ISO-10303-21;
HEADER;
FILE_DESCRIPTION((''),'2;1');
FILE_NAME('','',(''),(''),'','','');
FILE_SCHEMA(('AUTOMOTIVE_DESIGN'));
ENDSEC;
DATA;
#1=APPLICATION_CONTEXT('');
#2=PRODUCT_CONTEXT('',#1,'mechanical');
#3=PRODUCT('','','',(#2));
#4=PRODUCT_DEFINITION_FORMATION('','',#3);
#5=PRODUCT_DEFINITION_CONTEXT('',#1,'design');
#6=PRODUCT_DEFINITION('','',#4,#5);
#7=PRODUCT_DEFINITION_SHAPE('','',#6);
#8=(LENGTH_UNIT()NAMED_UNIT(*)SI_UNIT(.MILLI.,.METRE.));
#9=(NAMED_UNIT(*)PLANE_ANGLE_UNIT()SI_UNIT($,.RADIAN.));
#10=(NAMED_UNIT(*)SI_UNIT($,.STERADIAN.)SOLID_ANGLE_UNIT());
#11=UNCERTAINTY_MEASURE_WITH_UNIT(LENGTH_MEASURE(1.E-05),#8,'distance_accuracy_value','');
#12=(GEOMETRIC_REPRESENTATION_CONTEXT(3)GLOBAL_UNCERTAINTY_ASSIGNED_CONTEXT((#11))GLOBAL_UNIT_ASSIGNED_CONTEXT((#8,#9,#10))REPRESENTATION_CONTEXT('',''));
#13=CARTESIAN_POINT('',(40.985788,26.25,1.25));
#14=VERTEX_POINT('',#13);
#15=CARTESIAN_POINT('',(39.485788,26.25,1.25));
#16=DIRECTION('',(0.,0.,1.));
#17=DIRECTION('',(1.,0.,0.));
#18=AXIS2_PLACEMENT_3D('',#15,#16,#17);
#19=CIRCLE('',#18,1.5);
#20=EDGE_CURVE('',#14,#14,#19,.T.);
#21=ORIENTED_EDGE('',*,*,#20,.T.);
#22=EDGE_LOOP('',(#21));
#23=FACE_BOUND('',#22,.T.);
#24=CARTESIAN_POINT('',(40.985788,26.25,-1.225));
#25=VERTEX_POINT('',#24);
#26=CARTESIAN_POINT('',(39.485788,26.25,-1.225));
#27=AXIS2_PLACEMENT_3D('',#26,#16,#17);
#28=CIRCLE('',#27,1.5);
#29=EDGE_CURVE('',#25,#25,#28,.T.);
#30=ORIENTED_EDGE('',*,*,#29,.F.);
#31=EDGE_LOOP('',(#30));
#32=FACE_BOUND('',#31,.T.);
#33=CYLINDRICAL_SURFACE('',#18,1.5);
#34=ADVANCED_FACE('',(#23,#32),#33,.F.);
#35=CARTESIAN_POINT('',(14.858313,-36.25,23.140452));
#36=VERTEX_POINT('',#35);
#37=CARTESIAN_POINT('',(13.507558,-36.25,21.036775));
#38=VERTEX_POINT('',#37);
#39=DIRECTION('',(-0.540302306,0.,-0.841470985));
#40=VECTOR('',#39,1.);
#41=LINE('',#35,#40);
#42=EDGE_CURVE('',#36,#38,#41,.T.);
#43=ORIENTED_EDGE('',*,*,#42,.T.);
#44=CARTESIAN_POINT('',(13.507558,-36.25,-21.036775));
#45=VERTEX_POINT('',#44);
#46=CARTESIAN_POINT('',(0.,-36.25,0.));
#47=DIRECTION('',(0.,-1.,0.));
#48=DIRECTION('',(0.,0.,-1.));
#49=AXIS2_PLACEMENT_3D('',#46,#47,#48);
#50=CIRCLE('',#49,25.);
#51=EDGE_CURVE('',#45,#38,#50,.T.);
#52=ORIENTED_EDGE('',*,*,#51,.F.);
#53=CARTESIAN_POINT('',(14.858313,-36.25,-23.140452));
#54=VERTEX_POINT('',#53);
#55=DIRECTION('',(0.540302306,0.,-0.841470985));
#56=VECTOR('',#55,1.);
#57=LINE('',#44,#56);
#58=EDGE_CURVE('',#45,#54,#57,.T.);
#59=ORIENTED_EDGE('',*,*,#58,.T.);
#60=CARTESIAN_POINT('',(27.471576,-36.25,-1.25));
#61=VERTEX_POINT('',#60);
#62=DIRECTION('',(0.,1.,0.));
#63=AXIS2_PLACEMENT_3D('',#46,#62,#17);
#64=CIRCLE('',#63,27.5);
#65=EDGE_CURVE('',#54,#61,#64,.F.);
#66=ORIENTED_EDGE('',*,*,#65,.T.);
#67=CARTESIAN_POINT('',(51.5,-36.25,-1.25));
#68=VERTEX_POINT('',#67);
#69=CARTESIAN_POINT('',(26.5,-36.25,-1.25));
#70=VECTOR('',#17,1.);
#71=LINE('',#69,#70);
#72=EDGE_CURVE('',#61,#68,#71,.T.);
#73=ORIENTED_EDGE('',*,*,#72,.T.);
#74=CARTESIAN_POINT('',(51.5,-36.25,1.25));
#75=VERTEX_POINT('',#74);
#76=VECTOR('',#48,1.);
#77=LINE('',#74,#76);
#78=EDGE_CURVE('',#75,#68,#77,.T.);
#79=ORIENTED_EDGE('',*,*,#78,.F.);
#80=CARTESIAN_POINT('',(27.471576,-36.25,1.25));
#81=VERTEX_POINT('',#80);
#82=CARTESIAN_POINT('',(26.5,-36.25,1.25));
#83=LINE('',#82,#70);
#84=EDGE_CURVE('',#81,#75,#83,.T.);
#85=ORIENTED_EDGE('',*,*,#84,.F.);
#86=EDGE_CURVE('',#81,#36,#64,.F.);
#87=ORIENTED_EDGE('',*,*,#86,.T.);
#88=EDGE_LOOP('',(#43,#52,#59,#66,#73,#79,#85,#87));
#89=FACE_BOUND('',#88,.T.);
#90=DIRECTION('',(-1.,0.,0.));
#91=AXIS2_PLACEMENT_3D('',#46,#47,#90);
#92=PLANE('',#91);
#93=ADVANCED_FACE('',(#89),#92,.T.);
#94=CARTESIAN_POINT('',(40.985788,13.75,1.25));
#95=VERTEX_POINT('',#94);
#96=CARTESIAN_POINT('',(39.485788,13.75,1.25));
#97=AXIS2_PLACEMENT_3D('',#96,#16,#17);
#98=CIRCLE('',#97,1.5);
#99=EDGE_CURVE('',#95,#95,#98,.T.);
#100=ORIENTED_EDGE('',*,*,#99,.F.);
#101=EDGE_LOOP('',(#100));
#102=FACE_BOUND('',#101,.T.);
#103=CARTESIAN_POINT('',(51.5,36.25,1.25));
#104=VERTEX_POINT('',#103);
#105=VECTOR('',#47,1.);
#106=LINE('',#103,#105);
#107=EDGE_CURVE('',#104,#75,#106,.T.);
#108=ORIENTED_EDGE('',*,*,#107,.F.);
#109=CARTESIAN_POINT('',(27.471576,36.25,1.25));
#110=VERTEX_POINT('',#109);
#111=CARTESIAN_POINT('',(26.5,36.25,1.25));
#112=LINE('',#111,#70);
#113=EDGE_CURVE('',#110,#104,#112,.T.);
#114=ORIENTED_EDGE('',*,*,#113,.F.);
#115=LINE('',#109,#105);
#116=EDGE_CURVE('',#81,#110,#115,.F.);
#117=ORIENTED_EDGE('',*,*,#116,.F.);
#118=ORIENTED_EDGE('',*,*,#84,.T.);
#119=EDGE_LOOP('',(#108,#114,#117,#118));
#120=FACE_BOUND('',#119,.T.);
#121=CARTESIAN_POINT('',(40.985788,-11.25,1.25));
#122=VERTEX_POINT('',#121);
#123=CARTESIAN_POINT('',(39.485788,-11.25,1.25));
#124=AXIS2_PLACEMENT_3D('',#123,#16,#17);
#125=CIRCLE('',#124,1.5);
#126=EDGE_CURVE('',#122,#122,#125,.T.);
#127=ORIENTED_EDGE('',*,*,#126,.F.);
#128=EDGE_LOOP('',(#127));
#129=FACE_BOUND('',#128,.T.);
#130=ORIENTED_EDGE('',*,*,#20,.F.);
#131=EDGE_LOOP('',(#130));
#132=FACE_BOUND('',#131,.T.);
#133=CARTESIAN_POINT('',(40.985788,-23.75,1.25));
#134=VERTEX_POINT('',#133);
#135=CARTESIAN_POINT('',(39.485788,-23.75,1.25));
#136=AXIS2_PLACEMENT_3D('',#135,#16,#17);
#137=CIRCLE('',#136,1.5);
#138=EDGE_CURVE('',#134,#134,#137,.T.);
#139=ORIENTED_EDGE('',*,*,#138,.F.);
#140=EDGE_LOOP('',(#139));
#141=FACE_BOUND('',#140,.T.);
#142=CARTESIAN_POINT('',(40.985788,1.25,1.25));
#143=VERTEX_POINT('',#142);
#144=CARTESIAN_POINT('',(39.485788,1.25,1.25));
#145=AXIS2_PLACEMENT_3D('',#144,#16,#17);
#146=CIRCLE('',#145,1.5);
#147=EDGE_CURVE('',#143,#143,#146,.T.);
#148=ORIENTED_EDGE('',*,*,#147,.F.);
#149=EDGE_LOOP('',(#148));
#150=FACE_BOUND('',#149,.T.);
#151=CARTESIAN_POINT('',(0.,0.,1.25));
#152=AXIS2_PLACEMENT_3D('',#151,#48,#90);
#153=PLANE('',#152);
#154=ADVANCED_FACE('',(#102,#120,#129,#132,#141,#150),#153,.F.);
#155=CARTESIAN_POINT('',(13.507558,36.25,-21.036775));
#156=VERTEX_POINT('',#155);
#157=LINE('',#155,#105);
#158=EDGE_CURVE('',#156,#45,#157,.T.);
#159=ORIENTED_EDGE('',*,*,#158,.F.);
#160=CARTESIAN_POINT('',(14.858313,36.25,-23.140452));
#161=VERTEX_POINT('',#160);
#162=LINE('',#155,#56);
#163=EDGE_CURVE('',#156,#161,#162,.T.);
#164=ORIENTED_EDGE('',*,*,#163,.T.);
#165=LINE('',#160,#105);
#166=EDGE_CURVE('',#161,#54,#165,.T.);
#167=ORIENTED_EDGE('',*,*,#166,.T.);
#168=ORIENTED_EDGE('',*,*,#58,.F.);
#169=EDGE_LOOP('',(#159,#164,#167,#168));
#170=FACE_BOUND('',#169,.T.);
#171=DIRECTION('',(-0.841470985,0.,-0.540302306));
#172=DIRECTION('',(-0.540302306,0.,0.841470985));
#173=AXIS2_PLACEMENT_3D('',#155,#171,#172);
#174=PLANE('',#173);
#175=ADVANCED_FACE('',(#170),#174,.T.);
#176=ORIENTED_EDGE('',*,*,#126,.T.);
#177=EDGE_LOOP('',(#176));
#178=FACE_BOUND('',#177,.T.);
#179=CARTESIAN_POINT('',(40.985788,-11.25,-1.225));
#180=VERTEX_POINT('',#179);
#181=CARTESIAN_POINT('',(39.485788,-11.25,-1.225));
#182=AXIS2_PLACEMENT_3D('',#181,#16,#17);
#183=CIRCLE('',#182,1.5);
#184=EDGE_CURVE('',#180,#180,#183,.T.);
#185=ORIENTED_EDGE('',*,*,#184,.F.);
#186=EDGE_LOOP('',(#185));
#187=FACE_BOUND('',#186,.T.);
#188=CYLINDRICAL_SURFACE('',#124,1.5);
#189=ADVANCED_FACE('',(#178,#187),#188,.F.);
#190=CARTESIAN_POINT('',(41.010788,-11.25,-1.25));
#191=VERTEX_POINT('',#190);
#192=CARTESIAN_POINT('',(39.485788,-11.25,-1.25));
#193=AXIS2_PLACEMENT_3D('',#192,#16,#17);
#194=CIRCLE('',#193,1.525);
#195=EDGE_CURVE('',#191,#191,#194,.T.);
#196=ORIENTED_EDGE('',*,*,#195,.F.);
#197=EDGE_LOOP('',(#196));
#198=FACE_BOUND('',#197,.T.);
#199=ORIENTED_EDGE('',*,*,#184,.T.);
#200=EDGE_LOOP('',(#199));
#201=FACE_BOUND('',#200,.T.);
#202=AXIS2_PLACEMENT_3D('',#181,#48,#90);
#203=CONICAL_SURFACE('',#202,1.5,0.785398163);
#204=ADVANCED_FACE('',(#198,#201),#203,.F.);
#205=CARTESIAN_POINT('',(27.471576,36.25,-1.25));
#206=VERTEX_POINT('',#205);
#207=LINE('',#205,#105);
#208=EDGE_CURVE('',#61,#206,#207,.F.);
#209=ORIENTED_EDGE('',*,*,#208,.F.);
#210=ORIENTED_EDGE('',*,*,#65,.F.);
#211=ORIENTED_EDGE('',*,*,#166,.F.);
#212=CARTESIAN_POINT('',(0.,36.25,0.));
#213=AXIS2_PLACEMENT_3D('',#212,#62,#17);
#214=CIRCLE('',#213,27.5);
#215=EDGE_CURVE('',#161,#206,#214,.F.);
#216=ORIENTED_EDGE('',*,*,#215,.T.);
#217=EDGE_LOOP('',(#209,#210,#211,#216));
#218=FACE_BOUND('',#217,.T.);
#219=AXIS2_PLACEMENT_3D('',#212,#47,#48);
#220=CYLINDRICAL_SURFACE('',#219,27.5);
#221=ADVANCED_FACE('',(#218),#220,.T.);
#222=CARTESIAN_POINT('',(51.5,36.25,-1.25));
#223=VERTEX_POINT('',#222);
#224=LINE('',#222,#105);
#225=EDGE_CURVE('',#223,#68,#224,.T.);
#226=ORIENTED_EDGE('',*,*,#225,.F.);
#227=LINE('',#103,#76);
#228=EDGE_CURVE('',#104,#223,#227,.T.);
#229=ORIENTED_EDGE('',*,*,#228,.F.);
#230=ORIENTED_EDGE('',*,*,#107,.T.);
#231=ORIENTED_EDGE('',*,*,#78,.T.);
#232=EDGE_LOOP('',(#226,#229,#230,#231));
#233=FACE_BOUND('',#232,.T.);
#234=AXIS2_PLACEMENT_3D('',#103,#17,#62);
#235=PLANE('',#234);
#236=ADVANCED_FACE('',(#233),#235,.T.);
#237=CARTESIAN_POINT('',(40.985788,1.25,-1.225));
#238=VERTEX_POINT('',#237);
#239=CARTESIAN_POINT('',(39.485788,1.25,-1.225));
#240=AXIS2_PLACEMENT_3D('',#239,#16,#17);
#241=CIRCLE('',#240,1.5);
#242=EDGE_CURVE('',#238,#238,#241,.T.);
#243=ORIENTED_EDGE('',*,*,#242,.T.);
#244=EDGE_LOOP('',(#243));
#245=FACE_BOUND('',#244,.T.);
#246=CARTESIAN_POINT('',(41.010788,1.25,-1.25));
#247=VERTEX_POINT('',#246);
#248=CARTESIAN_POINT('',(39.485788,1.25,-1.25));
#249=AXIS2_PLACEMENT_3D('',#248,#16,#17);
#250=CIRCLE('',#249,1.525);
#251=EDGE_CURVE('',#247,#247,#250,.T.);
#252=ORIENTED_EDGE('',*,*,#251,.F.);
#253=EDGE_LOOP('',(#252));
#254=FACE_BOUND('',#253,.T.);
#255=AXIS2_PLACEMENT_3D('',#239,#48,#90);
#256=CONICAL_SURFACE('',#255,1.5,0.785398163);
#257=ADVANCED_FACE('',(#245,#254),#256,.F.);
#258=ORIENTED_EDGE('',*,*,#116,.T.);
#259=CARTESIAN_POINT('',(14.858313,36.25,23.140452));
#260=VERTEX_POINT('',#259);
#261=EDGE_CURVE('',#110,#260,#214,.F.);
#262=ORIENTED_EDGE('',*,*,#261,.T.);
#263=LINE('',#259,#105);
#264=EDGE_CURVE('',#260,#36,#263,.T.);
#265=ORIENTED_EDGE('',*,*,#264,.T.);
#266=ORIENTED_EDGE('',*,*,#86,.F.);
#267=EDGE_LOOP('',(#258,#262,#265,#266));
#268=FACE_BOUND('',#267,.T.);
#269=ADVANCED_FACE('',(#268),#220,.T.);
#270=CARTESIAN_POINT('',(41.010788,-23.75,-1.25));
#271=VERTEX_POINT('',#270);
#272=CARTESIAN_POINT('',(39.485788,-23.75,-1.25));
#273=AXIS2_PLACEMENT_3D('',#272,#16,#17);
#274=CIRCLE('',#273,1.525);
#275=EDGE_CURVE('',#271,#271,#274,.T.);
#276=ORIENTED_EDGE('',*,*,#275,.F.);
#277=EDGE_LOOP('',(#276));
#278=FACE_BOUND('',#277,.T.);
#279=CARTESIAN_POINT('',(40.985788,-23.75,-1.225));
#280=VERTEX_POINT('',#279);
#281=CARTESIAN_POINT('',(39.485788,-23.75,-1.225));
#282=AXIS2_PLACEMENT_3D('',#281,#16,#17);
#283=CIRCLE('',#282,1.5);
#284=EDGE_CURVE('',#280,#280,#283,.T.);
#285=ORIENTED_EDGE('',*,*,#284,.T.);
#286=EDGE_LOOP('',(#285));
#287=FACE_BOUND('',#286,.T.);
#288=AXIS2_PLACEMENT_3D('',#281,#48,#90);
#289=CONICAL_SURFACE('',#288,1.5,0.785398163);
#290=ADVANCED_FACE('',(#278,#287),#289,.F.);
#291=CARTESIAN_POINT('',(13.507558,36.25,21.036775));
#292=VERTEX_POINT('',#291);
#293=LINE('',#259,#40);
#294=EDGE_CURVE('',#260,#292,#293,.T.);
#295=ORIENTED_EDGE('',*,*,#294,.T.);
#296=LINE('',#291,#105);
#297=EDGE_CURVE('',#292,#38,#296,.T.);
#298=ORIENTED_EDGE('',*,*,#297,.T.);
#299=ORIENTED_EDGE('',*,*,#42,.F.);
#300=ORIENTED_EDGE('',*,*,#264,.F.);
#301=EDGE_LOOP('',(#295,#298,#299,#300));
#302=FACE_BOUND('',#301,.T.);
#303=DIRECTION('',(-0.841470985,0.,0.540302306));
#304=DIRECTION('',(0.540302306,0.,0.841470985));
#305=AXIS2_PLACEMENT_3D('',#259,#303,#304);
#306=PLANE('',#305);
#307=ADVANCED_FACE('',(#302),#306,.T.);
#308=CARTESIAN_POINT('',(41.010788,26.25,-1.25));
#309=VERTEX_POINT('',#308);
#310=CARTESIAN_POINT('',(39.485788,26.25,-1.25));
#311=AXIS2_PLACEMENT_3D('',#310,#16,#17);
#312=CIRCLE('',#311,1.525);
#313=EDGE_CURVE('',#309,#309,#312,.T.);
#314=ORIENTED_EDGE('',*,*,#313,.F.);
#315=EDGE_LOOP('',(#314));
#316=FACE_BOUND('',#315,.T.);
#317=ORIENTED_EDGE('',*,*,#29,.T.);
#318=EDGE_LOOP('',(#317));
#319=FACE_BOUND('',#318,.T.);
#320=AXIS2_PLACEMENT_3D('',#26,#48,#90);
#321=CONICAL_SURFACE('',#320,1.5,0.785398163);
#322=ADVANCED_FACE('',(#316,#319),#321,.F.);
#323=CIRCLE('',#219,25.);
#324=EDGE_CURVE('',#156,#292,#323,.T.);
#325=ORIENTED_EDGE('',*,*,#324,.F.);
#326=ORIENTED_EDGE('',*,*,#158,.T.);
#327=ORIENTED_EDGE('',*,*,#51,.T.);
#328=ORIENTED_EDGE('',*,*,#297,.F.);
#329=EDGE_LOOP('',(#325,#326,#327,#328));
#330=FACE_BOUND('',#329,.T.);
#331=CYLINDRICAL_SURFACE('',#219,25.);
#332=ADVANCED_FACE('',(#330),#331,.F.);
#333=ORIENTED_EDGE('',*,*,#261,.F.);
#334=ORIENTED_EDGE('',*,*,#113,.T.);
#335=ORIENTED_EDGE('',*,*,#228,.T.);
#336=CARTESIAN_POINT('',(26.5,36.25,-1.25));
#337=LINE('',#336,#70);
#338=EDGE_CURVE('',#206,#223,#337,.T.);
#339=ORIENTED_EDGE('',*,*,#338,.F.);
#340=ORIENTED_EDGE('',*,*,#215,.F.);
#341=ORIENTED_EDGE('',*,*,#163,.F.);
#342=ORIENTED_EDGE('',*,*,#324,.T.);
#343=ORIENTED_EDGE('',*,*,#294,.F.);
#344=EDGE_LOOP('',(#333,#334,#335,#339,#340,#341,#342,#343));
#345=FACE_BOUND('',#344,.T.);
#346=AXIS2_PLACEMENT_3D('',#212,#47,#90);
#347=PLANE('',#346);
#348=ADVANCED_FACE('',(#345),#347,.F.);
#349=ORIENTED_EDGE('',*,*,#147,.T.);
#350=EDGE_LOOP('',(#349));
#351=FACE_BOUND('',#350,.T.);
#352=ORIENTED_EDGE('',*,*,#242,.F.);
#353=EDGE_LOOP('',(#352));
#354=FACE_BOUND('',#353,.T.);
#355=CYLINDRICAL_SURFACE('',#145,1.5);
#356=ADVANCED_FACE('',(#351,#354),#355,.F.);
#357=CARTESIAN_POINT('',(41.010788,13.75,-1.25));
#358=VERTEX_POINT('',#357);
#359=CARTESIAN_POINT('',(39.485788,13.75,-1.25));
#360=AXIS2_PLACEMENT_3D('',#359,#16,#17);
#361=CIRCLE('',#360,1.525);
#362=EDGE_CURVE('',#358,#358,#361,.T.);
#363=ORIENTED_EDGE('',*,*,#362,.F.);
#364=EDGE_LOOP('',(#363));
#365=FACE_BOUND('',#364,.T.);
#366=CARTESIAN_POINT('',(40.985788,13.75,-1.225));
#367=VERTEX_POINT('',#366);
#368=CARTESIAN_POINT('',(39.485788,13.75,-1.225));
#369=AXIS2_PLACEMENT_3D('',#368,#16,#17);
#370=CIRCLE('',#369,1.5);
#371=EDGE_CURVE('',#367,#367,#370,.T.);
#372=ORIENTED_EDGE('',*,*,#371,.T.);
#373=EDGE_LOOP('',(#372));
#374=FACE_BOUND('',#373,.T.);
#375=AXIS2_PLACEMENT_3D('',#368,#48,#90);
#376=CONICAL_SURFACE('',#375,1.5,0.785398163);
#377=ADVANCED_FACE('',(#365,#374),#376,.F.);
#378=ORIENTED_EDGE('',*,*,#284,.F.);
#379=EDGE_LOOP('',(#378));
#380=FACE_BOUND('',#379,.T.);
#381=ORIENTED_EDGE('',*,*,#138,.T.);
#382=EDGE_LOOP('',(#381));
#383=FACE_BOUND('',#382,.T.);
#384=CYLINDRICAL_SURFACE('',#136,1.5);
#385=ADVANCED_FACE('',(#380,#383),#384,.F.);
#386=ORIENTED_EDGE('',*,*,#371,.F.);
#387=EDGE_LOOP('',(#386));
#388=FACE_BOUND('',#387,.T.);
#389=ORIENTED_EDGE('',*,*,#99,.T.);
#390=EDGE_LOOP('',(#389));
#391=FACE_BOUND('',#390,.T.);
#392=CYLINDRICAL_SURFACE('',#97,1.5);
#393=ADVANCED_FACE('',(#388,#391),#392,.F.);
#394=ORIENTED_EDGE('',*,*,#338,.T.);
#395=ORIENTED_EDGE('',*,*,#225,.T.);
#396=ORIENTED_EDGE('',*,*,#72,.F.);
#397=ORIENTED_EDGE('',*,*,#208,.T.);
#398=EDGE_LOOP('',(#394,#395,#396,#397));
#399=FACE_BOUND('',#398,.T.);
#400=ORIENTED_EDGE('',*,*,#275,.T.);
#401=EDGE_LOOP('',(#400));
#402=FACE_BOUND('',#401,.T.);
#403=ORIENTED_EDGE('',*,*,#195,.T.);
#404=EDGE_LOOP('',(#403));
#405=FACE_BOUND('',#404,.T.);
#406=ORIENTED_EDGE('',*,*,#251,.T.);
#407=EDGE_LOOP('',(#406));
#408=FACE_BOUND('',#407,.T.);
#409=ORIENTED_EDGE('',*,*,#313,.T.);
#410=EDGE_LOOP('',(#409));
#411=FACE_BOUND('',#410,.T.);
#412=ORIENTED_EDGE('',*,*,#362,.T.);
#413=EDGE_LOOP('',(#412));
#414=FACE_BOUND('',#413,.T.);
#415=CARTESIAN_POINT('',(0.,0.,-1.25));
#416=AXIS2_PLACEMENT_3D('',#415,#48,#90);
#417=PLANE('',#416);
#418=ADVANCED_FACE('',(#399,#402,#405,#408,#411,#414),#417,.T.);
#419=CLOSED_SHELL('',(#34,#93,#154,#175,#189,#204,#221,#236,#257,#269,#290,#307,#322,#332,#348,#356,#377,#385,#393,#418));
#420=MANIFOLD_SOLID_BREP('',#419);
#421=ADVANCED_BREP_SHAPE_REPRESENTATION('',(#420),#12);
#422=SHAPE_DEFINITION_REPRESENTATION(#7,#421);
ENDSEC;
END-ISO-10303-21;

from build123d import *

# Parameters (mm, degrees)
EXTRUDE_THIN1_DEPTH = 36.25
SKETCH2_W           = 25
SKETCH2_H           = 72.5
BOSS_EXTRUDE1_DEPTH = 1.25
LPATTERN1_COUNT     = 5
LPATTERN1_PITCH     = 12.5


with BuildPart() as part:
    # Sketch1 → Extrude-Thin1 (new, symmetric)
    with BuildSketch(Plane(origin=(0, 0, 0), x_dir=(1, 0, 0), z_dir=(0, 1, 0))):
        with BuildLine():
            ThreePointArc((13.507557647, 21.03677462), (25, 0), (13.507557647, -21.03677462))
            Line((13.507557647, -21.03677462), (14.858313411, -23.140452082))
            ThreePointArc((14.858313411, -23.140452082), (27.5, 0), (14.858313411, 23.140452082))
            Line((14.858313411, 23.140452082), (13.507557647, 21.03677462))
        make_face()
    extrude(amount=EXTRUDE_THIN1_DEPTH, both=True)

    # Sketch2 → Boss-Extrude1 (add, symmetric)
    with BuildSketch(Plane.XY):
        with Locations((39, 0)):
            Rectangle(SKETCH2_W, SKETCH2_H)
    extrude(amount=BOSS_EXTRUDE1_DEPTH, both=True)

    # Sketch4 → Ø3.0mm Dowel Hole1 (revolve, cut)
    with BuildSketch(Plane(origin=(39.48578811, 26.25, 1.25), x_dir=(0, -1, 0), z_dir=(1, 0, 0))):
        Polygon((0, 0), (0, 2.5), (1.525, 2.5), (1.5, 2.475), (1.5, 0), align=None)
    f_3_0mm_dowel_hole1 = revolve(axis=Axis((39.48578811, 26.25, 7.6), (0, 0, -1)), mode=Mode.SUBTRACT)

    # LPattern1: Ø3.0mm Dowel Hole1 ×5
    with Locations(*[(0, -i * LPATTERN1_PITCH, 0) for i in range(1, LPATTERN1_COUNT)]):
        add(f_3_0mm_dowel_hole1, mode=Mode.SUBTRACT)


solid = part.part
